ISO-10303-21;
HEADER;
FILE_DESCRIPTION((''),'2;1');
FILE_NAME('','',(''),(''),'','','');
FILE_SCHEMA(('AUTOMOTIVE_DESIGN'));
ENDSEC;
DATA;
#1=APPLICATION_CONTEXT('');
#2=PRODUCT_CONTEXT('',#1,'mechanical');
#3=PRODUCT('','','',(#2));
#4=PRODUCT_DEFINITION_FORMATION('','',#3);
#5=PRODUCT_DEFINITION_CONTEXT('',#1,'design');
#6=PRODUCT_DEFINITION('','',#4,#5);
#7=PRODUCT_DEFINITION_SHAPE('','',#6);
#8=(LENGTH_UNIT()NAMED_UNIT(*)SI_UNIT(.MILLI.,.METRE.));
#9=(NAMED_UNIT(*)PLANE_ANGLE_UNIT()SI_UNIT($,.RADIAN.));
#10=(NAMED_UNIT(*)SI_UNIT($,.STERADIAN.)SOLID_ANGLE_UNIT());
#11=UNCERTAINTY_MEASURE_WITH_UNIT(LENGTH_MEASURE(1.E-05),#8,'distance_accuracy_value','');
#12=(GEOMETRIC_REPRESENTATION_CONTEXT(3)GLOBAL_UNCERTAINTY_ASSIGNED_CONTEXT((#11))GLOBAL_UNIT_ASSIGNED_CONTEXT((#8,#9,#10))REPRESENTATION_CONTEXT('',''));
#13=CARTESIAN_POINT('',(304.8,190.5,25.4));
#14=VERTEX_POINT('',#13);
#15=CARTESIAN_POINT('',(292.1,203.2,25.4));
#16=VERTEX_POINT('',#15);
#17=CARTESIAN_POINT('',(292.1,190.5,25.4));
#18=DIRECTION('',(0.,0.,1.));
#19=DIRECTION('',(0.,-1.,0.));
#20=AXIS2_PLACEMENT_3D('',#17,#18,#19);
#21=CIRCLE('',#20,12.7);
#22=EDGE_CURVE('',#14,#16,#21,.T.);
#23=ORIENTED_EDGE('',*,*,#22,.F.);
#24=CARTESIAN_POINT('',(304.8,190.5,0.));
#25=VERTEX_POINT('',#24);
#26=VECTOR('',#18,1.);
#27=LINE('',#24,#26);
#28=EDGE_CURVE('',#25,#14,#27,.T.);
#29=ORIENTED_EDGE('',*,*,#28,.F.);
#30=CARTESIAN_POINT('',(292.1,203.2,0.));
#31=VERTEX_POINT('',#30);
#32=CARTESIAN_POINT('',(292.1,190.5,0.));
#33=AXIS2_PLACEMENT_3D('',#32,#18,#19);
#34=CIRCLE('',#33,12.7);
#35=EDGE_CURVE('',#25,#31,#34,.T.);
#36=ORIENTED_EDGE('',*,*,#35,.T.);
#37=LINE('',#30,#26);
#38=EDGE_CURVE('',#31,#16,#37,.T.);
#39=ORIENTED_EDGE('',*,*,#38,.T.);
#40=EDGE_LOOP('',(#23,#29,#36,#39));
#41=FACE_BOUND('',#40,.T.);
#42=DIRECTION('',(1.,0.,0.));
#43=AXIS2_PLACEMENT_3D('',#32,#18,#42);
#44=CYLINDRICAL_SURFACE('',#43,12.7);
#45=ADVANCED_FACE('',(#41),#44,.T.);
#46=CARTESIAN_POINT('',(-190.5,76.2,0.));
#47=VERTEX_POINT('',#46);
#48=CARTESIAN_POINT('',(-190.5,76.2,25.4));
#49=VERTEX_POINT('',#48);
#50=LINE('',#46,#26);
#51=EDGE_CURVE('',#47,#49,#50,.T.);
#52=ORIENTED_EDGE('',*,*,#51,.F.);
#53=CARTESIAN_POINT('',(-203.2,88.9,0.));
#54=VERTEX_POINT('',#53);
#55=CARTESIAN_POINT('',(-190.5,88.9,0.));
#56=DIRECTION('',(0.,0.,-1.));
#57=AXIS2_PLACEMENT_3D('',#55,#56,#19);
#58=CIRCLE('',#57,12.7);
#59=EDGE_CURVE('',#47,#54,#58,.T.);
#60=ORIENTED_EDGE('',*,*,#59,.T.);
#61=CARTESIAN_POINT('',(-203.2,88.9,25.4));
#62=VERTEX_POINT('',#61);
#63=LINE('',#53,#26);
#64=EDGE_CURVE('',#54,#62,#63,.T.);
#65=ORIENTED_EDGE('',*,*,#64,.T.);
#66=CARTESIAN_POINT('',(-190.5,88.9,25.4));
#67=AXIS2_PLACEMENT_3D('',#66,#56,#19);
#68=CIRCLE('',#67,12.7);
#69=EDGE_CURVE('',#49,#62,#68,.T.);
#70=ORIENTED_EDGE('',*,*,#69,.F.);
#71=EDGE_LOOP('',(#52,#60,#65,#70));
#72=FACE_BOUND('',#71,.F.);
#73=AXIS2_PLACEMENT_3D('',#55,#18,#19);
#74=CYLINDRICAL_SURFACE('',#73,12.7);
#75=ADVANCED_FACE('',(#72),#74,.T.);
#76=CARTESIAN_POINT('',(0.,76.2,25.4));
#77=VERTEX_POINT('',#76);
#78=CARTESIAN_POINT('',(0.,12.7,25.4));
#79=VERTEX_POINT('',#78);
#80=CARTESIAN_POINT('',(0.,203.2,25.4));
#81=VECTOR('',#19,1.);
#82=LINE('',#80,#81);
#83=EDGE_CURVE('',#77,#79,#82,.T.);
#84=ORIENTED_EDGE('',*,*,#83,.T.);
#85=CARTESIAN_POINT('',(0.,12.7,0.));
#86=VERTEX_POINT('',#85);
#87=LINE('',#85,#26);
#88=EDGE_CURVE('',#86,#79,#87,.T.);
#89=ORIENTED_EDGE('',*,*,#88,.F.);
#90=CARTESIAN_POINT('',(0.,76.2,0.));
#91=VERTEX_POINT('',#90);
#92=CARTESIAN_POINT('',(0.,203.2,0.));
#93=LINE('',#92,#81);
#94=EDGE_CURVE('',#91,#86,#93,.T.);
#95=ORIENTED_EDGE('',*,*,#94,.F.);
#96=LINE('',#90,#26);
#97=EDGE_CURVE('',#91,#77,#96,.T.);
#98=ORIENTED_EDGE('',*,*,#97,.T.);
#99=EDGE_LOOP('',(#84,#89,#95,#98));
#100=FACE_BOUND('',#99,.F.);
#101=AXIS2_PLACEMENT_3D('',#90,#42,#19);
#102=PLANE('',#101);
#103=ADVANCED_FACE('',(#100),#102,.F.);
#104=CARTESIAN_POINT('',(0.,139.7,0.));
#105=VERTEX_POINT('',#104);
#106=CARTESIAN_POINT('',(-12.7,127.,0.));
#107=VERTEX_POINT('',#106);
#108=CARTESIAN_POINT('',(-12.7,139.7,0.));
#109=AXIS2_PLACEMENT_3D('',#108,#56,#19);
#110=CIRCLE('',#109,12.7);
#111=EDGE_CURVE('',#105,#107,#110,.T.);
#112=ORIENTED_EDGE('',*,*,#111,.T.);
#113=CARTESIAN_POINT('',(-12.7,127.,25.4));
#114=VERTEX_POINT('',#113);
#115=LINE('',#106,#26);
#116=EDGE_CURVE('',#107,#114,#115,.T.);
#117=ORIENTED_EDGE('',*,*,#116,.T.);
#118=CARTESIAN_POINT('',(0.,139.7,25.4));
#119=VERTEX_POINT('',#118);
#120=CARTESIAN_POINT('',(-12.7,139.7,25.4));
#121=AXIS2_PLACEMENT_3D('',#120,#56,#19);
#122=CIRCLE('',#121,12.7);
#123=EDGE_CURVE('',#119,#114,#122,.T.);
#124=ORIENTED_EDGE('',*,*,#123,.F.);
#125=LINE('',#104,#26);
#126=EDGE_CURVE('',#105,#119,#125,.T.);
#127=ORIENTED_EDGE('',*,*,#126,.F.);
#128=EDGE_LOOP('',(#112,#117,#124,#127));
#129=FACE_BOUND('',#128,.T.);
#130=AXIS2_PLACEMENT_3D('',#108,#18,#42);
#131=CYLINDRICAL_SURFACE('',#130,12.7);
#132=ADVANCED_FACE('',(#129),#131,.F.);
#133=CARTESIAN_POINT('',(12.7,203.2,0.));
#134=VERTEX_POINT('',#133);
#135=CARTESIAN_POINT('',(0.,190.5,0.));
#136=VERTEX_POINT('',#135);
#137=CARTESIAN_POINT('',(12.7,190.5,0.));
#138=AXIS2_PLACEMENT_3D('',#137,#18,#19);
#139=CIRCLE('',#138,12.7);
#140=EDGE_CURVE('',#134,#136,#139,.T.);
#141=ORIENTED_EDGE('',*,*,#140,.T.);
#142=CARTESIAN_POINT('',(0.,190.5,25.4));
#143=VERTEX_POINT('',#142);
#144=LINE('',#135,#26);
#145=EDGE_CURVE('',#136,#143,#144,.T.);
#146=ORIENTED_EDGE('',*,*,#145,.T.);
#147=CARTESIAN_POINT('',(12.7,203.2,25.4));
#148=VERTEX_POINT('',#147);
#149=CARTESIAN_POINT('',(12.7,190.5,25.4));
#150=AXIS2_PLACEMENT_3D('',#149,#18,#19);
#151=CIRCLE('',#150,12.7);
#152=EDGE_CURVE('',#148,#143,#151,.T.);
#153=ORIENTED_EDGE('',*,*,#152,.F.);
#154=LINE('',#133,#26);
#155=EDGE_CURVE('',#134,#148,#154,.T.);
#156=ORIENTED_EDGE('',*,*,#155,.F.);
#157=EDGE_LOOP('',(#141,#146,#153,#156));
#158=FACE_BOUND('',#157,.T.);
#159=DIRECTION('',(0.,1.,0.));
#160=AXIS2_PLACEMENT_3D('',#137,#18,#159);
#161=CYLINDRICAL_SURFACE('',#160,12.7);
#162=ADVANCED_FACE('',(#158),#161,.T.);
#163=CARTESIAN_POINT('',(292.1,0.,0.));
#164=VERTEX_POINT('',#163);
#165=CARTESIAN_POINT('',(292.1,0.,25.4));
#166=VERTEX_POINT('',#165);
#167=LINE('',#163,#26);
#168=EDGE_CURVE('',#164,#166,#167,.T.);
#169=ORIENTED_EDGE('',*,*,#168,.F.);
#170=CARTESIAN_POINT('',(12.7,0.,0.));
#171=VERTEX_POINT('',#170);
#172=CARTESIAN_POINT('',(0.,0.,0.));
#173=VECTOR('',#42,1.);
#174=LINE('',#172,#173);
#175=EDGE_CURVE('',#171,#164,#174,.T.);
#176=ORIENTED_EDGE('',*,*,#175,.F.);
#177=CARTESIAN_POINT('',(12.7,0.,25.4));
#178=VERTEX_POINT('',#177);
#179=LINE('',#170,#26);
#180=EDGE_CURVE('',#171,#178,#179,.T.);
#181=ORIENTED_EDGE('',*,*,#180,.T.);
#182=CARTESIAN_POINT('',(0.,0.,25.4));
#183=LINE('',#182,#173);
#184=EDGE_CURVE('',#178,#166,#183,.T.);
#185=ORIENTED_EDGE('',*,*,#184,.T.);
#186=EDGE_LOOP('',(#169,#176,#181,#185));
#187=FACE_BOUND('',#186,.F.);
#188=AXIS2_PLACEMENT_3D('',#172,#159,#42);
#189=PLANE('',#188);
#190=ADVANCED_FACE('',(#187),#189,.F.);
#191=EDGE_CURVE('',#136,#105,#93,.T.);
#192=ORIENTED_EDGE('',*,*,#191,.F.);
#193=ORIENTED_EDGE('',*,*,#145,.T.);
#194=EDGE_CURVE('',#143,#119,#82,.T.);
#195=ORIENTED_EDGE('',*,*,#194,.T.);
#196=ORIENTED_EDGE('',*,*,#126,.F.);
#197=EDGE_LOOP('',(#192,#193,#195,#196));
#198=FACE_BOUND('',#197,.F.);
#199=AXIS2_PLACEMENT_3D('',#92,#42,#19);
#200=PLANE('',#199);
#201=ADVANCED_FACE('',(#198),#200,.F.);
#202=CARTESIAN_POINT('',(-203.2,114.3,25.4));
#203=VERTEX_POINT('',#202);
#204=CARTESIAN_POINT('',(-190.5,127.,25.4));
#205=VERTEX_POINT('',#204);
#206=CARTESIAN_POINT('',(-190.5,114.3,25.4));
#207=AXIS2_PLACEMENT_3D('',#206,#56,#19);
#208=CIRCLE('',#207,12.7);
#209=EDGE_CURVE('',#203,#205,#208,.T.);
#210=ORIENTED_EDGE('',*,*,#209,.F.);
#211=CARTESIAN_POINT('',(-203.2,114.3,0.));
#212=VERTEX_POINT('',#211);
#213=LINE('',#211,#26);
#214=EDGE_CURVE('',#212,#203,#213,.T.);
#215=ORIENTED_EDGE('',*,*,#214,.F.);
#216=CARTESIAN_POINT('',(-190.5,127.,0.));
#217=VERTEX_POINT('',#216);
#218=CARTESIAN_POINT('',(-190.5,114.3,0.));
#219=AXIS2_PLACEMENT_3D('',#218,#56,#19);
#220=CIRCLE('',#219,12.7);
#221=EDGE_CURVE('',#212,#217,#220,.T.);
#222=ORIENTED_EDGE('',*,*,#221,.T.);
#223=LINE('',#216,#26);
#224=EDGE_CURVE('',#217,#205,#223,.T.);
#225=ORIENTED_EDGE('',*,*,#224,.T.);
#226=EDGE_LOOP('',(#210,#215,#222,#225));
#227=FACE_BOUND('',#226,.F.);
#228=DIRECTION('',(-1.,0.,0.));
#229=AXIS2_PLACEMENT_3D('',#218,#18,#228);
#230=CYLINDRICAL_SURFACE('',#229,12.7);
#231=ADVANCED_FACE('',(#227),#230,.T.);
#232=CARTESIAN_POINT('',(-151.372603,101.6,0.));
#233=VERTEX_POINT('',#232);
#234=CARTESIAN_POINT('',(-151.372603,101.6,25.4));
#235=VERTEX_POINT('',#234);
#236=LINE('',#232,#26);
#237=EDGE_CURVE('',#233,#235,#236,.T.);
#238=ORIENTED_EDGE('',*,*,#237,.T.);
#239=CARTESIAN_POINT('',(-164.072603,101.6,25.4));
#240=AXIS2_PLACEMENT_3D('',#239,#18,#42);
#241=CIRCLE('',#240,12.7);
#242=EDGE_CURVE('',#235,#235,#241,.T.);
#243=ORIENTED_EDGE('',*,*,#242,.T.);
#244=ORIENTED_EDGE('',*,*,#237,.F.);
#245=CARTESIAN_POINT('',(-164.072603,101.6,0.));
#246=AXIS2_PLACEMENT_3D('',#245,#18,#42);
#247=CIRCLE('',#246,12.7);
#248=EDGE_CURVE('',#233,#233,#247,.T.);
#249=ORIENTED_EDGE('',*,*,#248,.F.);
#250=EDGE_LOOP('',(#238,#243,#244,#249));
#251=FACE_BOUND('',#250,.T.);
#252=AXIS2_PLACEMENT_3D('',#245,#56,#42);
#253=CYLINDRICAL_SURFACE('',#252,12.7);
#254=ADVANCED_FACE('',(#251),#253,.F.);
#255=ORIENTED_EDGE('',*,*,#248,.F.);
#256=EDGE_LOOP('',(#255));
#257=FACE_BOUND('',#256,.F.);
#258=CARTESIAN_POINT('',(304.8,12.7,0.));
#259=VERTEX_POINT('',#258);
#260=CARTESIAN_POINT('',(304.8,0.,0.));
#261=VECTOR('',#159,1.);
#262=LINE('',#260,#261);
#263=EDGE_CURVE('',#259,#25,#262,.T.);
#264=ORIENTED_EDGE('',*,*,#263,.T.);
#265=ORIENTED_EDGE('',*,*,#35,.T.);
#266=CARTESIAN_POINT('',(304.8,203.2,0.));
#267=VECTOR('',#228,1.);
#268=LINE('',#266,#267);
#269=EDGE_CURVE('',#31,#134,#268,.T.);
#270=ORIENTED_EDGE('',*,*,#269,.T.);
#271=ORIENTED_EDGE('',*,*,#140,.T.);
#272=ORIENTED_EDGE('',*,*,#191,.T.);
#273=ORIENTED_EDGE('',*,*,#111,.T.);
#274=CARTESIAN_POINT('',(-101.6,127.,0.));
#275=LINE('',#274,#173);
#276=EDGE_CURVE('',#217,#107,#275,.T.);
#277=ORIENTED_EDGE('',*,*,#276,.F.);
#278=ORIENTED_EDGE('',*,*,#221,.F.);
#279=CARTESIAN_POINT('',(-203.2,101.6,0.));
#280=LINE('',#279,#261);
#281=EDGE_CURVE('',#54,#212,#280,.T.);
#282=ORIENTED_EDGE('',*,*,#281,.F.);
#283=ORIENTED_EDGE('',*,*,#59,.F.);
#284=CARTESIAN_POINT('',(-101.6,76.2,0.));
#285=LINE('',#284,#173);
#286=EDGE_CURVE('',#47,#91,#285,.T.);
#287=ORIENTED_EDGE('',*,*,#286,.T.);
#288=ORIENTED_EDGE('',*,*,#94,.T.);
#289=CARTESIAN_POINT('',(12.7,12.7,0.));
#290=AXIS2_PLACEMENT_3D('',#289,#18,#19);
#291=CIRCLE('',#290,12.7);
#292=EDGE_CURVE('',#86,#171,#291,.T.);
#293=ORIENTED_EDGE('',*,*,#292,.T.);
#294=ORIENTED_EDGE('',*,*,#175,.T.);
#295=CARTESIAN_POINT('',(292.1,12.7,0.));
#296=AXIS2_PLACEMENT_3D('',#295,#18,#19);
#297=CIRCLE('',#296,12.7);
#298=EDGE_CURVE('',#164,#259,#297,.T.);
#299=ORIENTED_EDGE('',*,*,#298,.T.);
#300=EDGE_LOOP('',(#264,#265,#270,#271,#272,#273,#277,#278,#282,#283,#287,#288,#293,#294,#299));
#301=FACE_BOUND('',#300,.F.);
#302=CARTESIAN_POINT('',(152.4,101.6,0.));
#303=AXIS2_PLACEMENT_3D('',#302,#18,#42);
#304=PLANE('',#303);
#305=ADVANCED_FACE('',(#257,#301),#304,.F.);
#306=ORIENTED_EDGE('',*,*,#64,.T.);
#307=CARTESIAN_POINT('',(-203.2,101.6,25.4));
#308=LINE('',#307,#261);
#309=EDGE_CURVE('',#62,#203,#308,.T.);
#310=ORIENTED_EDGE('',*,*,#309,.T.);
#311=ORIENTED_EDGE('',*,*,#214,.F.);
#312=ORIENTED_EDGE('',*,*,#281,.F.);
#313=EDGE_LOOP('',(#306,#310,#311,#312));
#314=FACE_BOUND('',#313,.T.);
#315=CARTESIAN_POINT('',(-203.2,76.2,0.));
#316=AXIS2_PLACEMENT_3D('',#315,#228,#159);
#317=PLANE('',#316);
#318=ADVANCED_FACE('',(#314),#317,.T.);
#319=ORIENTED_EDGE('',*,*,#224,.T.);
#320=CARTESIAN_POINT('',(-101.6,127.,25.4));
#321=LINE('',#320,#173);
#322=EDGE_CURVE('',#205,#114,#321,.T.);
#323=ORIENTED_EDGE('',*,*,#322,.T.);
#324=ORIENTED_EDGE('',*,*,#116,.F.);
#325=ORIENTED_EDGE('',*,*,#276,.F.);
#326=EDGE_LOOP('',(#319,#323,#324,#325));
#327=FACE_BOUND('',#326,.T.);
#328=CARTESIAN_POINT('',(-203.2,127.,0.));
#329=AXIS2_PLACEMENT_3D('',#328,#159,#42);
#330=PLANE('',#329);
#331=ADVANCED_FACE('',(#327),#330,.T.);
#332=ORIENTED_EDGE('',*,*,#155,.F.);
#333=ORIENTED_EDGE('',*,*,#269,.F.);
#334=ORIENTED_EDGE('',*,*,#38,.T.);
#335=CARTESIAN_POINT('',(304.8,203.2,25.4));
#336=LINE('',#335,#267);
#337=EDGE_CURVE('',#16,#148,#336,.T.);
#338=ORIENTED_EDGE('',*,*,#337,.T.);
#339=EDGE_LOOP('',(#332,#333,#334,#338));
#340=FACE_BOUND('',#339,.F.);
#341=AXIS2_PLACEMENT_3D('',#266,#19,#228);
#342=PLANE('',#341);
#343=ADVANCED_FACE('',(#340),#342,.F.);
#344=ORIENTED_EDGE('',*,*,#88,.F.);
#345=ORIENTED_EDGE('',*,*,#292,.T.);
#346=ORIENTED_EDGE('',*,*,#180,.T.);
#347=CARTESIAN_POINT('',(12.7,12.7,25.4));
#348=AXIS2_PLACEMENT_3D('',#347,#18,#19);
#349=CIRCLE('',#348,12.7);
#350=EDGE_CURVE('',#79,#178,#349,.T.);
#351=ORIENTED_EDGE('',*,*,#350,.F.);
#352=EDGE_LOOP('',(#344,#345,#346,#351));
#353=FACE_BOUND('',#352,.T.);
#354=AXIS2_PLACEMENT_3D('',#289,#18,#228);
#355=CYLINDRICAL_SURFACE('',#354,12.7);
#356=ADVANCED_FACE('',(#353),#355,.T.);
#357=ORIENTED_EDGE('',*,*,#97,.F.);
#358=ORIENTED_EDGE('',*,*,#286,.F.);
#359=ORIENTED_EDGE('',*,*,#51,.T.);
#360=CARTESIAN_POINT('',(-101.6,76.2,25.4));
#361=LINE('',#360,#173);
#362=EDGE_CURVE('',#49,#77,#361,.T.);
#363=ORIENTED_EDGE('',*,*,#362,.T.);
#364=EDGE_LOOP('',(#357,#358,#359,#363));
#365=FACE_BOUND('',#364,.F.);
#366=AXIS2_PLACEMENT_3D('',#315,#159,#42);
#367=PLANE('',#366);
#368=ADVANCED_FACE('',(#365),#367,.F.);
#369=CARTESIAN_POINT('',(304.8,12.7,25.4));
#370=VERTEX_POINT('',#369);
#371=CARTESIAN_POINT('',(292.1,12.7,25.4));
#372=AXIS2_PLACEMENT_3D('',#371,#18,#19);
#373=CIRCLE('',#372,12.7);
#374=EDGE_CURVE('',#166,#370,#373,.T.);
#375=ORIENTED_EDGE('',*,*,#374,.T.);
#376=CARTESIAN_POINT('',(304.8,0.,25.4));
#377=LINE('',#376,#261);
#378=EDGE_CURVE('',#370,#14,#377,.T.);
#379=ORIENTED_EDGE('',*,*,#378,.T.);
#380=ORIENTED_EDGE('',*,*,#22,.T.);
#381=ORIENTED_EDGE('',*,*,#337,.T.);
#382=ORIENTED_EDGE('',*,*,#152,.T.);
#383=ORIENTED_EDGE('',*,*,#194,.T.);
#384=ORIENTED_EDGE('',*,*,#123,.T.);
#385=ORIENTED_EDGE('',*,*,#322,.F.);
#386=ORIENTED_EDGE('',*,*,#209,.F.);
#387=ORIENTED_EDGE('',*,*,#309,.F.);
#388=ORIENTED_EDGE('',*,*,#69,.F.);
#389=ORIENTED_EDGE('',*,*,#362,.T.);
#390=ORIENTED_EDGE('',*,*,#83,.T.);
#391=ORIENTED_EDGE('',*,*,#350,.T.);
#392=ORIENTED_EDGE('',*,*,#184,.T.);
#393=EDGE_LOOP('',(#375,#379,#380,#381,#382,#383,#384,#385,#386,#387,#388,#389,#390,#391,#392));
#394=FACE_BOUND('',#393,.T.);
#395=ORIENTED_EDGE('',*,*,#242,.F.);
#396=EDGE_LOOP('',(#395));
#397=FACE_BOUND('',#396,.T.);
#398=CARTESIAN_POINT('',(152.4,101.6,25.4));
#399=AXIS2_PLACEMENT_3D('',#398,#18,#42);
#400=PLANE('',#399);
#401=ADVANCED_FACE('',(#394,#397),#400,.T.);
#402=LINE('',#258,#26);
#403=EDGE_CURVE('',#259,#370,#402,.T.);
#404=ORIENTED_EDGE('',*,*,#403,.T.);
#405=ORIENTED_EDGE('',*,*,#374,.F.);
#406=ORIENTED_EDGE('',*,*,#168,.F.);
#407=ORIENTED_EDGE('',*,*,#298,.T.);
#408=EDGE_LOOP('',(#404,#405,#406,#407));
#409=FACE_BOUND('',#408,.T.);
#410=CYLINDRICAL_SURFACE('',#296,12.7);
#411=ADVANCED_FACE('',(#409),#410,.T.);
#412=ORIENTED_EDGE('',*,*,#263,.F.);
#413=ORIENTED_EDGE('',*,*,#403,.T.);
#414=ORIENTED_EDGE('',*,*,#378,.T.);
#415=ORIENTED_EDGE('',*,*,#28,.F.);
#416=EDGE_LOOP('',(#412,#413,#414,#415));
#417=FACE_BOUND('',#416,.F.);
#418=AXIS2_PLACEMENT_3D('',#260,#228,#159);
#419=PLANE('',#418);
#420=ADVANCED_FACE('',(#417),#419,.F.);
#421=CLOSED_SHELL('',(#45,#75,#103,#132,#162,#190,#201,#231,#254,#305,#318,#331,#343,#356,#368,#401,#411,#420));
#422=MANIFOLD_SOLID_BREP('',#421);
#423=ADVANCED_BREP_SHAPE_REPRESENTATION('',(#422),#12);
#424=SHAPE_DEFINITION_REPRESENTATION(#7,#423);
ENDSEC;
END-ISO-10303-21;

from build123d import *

# Parameters (mm, degrees)
F0_W     = 203.2
F0_H     = 50.8
F0_R     = 12.7
F1_DEPTH = 25.4
F2_R     = 12.7
F3_R     = 12.7


with BuildPart() as f1:
    # F0 (on Top) → F1 (new body)
    with BuildSketch(Plane.XY):
        Polygon((0, 76.2), (0, 0), (304.8, 0), (304.8, 203.2), (0, 203.2), (0, 127), align=None)
        with Locations((-101.6, 101.6)):
            Rectangle(F0_W, F0_H)
        with Locations((-164.072603, 101.6)):
            Circle(F0_R, mode=Mode.SUBTRACT)
    extrude(amount=F1_DEPTH)

    # F2
    f2_edges = [f1.edges().sort_by_distance(p)[0] for p in [
        (0, 127, 12.7),
        (-203.2, 127, 12.7),
        (-203.2, 76.2, 12.7),
    ]]
    fillet(f2_edges, radius=F2_R)

    # F3
    f3_edges = [f1.edges().sort_by_distance(p)[0] for p in [
        (0, 203.2, 12.7),
        (304.8, 203.2, 12.7),
        (304.8, 0, 12.7),
        (0, 0, 12.7),
    ]]
    fillet(f3_edges, radius=F3_R)


solid = f1.part
